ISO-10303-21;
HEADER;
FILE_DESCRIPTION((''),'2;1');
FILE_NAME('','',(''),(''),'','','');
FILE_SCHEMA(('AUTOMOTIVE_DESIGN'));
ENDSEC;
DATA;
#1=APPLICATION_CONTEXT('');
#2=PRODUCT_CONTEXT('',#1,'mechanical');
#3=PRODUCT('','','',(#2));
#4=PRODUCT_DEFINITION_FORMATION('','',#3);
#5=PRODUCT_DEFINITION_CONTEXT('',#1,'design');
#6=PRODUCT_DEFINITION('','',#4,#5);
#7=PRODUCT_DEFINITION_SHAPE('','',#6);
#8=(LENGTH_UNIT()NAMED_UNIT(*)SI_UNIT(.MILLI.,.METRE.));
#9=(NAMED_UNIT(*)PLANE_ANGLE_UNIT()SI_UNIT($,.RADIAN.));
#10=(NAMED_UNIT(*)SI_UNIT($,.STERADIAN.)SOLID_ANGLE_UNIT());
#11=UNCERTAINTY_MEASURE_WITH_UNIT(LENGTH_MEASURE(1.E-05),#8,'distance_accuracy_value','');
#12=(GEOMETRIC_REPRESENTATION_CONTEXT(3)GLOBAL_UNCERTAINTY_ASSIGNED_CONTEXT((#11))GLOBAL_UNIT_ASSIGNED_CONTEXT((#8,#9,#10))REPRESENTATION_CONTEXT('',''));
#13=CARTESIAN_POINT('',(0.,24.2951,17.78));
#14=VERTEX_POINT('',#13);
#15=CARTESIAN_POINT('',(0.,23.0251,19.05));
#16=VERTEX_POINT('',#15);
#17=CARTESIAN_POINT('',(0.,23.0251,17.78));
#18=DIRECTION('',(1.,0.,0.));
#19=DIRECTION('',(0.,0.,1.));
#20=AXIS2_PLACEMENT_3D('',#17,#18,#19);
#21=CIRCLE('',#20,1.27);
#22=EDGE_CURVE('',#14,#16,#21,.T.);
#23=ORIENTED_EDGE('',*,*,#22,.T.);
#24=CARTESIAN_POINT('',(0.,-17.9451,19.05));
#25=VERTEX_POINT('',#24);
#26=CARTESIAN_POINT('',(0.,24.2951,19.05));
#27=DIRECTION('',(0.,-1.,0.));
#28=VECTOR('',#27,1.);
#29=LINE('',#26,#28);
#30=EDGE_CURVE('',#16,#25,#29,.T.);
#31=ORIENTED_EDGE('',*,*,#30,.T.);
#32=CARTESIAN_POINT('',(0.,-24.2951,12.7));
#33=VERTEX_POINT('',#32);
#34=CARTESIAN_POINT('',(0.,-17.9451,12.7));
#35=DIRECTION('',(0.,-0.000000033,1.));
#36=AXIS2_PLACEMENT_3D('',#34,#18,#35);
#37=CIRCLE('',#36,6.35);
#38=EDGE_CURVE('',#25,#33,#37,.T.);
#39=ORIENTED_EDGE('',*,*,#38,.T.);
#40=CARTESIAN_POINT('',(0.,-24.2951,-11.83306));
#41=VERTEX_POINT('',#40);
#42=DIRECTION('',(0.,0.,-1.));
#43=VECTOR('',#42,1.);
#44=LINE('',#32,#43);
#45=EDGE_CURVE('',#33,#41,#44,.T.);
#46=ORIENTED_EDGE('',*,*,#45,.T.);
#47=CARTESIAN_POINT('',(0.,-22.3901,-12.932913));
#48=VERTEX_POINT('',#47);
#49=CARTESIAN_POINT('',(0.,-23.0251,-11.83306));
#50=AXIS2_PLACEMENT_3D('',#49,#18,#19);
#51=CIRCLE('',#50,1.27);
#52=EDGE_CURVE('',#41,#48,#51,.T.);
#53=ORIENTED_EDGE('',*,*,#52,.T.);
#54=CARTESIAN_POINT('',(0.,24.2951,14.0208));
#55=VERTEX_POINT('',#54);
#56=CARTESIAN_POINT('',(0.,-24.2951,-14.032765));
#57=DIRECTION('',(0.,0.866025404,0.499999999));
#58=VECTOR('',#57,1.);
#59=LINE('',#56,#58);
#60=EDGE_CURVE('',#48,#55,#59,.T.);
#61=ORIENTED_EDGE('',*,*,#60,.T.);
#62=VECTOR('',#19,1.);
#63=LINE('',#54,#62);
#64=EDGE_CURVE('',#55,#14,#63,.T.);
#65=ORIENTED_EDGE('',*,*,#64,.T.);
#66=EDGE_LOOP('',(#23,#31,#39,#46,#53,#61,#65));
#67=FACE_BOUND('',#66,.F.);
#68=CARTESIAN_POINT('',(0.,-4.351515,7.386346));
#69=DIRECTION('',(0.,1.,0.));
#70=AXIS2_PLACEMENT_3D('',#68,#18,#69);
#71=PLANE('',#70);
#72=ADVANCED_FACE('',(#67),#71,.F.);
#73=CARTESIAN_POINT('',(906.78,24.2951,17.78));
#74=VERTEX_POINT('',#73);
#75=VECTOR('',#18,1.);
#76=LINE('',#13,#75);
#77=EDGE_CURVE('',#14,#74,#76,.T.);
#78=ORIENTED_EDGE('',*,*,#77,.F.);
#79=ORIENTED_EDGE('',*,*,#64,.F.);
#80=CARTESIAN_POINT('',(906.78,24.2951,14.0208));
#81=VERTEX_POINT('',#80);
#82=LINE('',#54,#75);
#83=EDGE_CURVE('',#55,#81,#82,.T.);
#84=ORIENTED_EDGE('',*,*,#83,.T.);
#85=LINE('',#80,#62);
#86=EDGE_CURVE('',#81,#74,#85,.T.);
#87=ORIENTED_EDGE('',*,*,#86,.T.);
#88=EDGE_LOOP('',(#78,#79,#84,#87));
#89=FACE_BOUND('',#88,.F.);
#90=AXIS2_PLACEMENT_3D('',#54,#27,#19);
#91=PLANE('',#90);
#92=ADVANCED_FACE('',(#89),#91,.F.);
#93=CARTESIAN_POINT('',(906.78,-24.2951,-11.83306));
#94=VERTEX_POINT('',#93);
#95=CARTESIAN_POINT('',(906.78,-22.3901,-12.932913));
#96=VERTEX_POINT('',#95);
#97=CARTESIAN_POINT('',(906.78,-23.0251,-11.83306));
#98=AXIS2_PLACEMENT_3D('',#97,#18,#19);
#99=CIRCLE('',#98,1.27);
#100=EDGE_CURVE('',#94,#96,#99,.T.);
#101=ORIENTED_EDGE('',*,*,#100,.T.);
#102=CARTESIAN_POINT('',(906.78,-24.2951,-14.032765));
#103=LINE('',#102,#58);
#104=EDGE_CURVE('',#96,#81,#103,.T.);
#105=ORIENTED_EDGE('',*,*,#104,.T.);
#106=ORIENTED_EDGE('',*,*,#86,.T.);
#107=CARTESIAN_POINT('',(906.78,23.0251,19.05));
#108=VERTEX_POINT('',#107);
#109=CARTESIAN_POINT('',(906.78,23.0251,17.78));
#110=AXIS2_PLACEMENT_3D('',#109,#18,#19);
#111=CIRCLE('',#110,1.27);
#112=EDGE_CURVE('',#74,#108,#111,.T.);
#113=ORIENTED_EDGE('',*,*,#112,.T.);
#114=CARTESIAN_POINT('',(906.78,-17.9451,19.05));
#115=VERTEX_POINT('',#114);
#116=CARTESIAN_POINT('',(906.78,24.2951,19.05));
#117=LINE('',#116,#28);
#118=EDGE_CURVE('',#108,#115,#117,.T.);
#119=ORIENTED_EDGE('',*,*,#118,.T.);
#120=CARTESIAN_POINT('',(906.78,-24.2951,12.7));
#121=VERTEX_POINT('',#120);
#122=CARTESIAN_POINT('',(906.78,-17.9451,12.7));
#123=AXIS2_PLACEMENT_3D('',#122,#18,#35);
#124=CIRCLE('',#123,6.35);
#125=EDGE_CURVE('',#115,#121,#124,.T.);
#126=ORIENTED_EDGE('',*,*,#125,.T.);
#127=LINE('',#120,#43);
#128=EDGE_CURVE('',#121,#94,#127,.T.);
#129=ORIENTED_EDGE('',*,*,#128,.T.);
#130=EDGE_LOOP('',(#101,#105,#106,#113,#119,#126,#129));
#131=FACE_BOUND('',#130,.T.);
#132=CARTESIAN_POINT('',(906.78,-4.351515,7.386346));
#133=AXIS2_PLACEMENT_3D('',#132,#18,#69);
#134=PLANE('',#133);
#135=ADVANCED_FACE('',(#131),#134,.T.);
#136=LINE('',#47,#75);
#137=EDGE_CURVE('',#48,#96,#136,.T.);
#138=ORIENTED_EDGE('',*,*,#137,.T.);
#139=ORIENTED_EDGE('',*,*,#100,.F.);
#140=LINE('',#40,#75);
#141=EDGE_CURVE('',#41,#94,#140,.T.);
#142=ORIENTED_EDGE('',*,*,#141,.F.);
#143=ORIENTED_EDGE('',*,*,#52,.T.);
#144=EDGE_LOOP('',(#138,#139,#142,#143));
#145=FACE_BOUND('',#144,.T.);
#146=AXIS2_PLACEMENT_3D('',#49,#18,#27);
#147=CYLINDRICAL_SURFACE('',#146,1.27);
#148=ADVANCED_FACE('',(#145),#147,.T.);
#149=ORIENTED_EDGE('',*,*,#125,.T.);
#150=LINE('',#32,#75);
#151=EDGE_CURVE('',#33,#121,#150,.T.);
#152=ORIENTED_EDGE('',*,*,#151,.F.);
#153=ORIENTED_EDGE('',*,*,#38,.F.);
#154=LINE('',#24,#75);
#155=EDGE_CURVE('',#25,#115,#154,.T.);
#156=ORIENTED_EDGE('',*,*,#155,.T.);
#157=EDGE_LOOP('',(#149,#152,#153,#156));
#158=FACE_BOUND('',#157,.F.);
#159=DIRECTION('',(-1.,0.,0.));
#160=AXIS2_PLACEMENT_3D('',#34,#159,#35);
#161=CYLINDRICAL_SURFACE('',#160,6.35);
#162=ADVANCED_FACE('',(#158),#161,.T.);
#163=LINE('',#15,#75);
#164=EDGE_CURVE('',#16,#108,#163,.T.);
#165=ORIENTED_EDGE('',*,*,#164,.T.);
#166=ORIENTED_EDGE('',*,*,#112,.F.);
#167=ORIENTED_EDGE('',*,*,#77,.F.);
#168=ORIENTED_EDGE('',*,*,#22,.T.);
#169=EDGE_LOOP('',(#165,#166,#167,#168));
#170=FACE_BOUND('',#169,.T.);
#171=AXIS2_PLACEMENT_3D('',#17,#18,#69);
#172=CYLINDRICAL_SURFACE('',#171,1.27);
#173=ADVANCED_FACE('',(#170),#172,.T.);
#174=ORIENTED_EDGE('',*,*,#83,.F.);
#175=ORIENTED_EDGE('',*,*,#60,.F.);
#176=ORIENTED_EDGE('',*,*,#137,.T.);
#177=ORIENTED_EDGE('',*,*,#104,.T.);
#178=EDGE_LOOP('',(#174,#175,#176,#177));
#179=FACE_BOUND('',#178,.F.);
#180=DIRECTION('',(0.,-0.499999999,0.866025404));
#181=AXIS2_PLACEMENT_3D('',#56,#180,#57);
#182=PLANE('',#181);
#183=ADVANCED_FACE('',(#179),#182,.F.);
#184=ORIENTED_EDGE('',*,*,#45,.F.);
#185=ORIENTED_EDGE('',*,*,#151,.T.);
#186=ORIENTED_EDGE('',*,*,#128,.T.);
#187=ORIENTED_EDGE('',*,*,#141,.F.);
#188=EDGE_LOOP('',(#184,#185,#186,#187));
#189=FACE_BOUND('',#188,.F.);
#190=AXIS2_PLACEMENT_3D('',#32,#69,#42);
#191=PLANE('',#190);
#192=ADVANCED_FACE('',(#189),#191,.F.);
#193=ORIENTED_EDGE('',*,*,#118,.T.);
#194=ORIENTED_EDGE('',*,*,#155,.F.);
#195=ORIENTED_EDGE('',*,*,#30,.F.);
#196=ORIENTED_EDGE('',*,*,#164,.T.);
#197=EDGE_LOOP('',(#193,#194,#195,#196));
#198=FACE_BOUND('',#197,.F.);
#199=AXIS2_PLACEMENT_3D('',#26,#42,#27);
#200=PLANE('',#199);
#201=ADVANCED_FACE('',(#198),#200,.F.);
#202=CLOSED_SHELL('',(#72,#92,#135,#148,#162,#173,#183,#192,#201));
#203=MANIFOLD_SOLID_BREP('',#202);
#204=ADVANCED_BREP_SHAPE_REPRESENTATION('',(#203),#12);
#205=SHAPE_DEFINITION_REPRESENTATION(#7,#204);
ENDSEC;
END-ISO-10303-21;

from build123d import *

# Parameters (mm, degrees)
F1_DEPTH = 906.78
F2_R     = 1.27


with BuildPart() as f1:
    # F0 (on Right) → F1 (new body)
    with BuildSketch(Plane.YZ):
        with BuildLine():
            Line((24.2951, 14.0208), (24.2951, 19.05))
            Line((24.2951, 19.05), (-17.9451, 19.05))
            ThreePointArc((-17.9451, 19.05), (-22.435228, 17.190128), (-24.2951, 12.7))
            Line((-24.2951, 12.7), (-24.2951, -14.032765))
            Line((-24.2951, -14.032765), (24.2951, 14.0208))
        make_face()
    extrude(amount=F1_DEPTH)

    # F2
    f2_edges = [f1.edges().sort_by_distance(p)[0] for p in [
        (453.39, -24.2951, -14.032765),
        (453.39, 24.2951, 19.05),
    ]]
    fillet(f2_edges, radius=F2_R)


solid = f1.part
